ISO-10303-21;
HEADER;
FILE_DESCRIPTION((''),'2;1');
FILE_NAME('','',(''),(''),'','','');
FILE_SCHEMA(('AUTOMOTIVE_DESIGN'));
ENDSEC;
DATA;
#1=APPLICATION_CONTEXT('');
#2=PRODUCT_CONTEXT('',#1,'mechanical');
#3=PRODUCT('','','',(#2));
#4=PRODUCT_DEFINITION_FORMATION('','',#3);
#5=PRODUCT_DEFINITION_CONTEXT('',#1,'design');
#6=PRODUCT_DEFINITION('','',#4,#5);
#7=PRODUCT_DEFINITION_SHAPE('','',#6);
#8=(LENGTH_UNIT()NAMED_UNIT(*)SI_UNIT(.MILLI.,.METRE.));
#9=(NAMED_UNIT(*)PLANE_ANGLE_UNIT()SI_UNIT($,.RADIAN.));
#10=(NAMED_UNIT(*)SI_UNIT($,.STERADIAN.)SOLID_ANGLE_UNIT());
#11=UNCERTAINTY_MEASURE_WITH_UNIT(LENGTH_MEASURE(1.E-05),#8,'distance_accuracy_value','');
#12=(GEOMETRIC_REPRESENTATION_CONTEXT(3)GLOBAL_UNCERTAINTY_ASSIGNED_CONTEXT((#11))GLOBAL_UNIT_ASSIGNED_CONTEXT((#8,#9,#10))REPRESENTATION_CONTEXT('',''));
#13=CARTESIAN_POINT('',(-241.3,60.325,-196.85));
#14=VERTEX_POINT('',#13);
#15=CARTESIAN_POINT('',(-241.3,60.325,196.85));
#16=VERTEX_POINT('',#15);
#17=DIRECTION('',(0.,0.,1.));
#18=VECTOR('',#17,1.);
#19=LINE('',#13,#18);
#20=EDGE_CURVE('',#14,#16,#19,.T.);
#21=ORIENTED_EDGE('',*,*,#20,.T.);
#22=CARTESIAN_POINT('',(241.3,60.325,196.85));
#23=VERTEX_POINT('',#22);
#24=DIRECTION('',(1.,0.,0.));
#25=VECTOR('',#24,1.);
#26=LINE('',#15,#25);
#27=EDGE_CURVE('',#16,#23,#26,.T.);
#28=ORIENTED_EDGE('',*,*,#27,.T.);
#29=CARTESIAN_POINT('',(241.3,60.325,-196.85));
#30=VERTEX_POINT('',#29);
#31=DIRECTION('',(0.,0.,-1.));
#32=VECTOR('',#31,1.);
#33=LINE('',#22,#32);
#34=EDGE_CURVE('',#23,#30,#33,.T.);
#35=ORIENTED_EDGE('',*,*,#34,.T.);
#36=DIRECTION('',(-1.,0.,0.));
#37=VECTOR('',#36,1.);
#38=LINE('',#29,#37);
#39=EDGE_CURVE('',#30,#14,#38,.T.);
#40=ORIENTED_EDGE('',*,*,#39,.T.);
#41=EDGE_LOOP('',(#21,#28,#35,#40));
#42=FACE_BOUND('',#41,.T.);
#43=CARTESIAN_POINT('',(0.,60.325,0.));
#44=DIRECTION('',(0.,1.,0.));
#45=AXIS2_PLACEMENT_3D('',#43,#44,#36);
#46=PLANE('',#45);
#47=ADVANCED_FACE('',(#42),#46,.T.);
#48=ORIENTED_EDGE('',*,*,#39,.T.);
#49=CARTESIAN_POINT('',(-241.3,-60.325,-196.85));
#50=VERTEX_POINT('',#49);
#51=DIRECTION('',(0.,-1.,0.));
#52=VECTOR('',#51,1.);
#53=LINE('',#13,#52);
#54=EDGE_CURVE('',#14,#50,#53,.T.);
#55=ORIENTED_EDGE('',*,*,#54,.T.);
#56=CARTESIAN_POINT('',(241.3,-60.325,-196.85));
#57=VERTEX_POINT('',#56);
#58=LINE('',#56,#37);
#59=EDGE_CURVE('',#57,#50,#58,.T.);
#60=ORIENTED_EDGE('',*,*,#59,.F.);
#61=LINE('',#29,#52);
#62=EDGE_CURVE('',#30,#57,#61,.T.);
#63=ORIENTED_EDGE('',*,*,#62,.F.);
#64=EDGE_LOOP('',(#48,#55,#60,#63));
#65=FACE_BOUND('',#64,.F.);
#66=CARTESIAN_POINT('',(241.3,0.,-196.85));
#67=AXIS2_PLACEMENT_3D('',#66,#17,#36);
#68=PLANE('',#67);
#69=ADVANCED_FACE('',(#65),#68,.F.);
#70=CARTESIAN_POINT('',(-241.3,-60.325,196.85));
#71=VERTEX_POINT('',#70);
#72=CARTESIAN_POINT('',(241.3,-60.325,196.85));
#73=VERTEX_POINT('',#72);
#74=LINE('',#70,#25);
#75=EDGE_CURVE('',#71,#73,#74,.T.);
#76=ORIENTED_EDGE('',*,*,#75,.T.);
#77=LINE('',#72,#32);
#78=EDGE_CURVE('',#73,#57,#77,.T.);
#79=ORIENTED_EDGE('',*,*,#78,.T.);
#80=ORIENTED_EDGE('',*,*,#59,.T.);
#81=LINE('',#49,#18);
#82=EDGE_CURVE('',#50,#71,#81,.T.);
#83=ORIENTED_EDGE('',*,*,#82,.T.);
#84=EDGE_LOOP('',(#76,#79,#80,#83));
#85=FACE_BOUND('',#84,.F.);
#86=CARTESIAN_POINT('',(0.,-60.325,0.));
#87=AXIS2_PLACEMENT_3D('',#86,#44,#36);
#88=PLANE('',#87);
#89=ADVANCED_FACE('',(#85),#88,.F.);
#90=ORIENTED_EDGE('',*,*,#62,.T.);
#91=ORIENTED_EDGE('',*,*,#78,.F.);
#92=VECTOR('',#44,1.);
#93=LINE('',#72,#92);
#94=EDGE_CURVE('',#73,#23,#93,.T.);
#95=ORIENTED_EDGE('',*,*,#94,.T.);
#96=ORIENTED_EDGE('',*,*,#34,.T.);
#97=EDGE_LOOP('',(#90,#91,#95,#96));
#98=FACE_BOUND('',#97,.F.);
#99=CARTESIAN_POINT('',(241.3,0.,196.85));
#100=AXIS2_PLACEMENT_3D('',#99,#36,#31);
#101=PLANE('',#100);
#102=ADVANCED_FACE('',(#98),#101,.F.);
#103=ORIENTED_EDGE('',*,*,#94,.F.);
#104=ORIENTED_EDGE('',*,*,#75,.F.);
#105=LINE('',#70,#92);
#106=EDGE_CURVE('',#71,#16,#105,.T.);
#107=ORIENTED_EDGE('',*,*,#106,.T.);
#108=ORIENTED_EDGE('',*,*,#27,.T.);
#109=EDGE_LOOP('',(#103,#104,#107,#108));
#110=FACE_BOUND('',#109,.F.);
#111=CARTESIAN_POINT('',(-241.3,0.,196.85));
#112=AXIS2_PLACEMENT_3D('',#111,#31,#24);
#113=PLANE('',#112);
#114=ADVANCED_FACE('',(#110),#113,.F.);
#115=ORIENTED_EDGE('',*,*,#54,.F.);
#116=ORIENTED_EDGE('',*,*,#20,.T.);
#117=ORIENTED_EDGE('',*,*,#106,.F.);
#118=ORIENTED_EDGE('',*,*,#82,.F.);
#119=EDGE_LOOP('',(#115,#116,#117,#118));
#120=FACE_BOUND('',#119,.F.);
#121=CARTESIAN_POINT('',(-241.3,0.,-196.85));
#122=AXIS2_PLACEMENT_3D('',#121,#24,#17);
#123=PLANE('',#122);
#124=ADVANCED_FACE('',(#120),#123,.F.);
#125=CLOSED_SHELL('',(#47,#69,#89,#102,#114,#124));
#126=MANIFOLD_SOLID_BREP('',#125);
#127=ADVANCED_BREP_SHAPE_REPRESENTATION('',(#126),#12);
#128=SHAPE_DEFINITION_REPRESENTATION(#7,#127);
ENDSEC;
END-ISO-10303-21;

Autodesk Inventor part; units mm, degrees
ref_plane "YZ Plane" through (0, 0, 0) normal (1, 0, 0) x (0, 1, 0)
ref_plane "XZ Plane" through (0, 0, 0) normal (0, 1, 0) x (-1, 0, 0)
ref_plane "XY Plane" through (0, 0, 0) normal (0, 0, 1) x (1, 0, 0)
sketch "Sketch1" plane through (0, 0, 0) normal (0, 1, 0) x (-1, 0, 0)
  line L0 (241.3, 196.85) -> (-241.3, 196.85)
  line L1 (-241.3, 196.85) -> (-241.3, -196.85)
  line L2 (-241.3, -196.85) -> (241.3, -196.85)
  line L3 (241.3, -196.85) -> (241.3, 196.85)
  line L4 (241.3, 196.85) -> (-241.3, -196.85) construction
  line L5 (-241.3, 196.85) -> (241.3, -196.85) construction
  point P0 (0, 0)
  dimension "d0" = 482.6
  dimension "d1" = 393.7
extrude "Extrusion1" add sketch "Sketch1" along normal mid plane 120.65
properties part number "big craftsman" material "Aluminum 6061"
